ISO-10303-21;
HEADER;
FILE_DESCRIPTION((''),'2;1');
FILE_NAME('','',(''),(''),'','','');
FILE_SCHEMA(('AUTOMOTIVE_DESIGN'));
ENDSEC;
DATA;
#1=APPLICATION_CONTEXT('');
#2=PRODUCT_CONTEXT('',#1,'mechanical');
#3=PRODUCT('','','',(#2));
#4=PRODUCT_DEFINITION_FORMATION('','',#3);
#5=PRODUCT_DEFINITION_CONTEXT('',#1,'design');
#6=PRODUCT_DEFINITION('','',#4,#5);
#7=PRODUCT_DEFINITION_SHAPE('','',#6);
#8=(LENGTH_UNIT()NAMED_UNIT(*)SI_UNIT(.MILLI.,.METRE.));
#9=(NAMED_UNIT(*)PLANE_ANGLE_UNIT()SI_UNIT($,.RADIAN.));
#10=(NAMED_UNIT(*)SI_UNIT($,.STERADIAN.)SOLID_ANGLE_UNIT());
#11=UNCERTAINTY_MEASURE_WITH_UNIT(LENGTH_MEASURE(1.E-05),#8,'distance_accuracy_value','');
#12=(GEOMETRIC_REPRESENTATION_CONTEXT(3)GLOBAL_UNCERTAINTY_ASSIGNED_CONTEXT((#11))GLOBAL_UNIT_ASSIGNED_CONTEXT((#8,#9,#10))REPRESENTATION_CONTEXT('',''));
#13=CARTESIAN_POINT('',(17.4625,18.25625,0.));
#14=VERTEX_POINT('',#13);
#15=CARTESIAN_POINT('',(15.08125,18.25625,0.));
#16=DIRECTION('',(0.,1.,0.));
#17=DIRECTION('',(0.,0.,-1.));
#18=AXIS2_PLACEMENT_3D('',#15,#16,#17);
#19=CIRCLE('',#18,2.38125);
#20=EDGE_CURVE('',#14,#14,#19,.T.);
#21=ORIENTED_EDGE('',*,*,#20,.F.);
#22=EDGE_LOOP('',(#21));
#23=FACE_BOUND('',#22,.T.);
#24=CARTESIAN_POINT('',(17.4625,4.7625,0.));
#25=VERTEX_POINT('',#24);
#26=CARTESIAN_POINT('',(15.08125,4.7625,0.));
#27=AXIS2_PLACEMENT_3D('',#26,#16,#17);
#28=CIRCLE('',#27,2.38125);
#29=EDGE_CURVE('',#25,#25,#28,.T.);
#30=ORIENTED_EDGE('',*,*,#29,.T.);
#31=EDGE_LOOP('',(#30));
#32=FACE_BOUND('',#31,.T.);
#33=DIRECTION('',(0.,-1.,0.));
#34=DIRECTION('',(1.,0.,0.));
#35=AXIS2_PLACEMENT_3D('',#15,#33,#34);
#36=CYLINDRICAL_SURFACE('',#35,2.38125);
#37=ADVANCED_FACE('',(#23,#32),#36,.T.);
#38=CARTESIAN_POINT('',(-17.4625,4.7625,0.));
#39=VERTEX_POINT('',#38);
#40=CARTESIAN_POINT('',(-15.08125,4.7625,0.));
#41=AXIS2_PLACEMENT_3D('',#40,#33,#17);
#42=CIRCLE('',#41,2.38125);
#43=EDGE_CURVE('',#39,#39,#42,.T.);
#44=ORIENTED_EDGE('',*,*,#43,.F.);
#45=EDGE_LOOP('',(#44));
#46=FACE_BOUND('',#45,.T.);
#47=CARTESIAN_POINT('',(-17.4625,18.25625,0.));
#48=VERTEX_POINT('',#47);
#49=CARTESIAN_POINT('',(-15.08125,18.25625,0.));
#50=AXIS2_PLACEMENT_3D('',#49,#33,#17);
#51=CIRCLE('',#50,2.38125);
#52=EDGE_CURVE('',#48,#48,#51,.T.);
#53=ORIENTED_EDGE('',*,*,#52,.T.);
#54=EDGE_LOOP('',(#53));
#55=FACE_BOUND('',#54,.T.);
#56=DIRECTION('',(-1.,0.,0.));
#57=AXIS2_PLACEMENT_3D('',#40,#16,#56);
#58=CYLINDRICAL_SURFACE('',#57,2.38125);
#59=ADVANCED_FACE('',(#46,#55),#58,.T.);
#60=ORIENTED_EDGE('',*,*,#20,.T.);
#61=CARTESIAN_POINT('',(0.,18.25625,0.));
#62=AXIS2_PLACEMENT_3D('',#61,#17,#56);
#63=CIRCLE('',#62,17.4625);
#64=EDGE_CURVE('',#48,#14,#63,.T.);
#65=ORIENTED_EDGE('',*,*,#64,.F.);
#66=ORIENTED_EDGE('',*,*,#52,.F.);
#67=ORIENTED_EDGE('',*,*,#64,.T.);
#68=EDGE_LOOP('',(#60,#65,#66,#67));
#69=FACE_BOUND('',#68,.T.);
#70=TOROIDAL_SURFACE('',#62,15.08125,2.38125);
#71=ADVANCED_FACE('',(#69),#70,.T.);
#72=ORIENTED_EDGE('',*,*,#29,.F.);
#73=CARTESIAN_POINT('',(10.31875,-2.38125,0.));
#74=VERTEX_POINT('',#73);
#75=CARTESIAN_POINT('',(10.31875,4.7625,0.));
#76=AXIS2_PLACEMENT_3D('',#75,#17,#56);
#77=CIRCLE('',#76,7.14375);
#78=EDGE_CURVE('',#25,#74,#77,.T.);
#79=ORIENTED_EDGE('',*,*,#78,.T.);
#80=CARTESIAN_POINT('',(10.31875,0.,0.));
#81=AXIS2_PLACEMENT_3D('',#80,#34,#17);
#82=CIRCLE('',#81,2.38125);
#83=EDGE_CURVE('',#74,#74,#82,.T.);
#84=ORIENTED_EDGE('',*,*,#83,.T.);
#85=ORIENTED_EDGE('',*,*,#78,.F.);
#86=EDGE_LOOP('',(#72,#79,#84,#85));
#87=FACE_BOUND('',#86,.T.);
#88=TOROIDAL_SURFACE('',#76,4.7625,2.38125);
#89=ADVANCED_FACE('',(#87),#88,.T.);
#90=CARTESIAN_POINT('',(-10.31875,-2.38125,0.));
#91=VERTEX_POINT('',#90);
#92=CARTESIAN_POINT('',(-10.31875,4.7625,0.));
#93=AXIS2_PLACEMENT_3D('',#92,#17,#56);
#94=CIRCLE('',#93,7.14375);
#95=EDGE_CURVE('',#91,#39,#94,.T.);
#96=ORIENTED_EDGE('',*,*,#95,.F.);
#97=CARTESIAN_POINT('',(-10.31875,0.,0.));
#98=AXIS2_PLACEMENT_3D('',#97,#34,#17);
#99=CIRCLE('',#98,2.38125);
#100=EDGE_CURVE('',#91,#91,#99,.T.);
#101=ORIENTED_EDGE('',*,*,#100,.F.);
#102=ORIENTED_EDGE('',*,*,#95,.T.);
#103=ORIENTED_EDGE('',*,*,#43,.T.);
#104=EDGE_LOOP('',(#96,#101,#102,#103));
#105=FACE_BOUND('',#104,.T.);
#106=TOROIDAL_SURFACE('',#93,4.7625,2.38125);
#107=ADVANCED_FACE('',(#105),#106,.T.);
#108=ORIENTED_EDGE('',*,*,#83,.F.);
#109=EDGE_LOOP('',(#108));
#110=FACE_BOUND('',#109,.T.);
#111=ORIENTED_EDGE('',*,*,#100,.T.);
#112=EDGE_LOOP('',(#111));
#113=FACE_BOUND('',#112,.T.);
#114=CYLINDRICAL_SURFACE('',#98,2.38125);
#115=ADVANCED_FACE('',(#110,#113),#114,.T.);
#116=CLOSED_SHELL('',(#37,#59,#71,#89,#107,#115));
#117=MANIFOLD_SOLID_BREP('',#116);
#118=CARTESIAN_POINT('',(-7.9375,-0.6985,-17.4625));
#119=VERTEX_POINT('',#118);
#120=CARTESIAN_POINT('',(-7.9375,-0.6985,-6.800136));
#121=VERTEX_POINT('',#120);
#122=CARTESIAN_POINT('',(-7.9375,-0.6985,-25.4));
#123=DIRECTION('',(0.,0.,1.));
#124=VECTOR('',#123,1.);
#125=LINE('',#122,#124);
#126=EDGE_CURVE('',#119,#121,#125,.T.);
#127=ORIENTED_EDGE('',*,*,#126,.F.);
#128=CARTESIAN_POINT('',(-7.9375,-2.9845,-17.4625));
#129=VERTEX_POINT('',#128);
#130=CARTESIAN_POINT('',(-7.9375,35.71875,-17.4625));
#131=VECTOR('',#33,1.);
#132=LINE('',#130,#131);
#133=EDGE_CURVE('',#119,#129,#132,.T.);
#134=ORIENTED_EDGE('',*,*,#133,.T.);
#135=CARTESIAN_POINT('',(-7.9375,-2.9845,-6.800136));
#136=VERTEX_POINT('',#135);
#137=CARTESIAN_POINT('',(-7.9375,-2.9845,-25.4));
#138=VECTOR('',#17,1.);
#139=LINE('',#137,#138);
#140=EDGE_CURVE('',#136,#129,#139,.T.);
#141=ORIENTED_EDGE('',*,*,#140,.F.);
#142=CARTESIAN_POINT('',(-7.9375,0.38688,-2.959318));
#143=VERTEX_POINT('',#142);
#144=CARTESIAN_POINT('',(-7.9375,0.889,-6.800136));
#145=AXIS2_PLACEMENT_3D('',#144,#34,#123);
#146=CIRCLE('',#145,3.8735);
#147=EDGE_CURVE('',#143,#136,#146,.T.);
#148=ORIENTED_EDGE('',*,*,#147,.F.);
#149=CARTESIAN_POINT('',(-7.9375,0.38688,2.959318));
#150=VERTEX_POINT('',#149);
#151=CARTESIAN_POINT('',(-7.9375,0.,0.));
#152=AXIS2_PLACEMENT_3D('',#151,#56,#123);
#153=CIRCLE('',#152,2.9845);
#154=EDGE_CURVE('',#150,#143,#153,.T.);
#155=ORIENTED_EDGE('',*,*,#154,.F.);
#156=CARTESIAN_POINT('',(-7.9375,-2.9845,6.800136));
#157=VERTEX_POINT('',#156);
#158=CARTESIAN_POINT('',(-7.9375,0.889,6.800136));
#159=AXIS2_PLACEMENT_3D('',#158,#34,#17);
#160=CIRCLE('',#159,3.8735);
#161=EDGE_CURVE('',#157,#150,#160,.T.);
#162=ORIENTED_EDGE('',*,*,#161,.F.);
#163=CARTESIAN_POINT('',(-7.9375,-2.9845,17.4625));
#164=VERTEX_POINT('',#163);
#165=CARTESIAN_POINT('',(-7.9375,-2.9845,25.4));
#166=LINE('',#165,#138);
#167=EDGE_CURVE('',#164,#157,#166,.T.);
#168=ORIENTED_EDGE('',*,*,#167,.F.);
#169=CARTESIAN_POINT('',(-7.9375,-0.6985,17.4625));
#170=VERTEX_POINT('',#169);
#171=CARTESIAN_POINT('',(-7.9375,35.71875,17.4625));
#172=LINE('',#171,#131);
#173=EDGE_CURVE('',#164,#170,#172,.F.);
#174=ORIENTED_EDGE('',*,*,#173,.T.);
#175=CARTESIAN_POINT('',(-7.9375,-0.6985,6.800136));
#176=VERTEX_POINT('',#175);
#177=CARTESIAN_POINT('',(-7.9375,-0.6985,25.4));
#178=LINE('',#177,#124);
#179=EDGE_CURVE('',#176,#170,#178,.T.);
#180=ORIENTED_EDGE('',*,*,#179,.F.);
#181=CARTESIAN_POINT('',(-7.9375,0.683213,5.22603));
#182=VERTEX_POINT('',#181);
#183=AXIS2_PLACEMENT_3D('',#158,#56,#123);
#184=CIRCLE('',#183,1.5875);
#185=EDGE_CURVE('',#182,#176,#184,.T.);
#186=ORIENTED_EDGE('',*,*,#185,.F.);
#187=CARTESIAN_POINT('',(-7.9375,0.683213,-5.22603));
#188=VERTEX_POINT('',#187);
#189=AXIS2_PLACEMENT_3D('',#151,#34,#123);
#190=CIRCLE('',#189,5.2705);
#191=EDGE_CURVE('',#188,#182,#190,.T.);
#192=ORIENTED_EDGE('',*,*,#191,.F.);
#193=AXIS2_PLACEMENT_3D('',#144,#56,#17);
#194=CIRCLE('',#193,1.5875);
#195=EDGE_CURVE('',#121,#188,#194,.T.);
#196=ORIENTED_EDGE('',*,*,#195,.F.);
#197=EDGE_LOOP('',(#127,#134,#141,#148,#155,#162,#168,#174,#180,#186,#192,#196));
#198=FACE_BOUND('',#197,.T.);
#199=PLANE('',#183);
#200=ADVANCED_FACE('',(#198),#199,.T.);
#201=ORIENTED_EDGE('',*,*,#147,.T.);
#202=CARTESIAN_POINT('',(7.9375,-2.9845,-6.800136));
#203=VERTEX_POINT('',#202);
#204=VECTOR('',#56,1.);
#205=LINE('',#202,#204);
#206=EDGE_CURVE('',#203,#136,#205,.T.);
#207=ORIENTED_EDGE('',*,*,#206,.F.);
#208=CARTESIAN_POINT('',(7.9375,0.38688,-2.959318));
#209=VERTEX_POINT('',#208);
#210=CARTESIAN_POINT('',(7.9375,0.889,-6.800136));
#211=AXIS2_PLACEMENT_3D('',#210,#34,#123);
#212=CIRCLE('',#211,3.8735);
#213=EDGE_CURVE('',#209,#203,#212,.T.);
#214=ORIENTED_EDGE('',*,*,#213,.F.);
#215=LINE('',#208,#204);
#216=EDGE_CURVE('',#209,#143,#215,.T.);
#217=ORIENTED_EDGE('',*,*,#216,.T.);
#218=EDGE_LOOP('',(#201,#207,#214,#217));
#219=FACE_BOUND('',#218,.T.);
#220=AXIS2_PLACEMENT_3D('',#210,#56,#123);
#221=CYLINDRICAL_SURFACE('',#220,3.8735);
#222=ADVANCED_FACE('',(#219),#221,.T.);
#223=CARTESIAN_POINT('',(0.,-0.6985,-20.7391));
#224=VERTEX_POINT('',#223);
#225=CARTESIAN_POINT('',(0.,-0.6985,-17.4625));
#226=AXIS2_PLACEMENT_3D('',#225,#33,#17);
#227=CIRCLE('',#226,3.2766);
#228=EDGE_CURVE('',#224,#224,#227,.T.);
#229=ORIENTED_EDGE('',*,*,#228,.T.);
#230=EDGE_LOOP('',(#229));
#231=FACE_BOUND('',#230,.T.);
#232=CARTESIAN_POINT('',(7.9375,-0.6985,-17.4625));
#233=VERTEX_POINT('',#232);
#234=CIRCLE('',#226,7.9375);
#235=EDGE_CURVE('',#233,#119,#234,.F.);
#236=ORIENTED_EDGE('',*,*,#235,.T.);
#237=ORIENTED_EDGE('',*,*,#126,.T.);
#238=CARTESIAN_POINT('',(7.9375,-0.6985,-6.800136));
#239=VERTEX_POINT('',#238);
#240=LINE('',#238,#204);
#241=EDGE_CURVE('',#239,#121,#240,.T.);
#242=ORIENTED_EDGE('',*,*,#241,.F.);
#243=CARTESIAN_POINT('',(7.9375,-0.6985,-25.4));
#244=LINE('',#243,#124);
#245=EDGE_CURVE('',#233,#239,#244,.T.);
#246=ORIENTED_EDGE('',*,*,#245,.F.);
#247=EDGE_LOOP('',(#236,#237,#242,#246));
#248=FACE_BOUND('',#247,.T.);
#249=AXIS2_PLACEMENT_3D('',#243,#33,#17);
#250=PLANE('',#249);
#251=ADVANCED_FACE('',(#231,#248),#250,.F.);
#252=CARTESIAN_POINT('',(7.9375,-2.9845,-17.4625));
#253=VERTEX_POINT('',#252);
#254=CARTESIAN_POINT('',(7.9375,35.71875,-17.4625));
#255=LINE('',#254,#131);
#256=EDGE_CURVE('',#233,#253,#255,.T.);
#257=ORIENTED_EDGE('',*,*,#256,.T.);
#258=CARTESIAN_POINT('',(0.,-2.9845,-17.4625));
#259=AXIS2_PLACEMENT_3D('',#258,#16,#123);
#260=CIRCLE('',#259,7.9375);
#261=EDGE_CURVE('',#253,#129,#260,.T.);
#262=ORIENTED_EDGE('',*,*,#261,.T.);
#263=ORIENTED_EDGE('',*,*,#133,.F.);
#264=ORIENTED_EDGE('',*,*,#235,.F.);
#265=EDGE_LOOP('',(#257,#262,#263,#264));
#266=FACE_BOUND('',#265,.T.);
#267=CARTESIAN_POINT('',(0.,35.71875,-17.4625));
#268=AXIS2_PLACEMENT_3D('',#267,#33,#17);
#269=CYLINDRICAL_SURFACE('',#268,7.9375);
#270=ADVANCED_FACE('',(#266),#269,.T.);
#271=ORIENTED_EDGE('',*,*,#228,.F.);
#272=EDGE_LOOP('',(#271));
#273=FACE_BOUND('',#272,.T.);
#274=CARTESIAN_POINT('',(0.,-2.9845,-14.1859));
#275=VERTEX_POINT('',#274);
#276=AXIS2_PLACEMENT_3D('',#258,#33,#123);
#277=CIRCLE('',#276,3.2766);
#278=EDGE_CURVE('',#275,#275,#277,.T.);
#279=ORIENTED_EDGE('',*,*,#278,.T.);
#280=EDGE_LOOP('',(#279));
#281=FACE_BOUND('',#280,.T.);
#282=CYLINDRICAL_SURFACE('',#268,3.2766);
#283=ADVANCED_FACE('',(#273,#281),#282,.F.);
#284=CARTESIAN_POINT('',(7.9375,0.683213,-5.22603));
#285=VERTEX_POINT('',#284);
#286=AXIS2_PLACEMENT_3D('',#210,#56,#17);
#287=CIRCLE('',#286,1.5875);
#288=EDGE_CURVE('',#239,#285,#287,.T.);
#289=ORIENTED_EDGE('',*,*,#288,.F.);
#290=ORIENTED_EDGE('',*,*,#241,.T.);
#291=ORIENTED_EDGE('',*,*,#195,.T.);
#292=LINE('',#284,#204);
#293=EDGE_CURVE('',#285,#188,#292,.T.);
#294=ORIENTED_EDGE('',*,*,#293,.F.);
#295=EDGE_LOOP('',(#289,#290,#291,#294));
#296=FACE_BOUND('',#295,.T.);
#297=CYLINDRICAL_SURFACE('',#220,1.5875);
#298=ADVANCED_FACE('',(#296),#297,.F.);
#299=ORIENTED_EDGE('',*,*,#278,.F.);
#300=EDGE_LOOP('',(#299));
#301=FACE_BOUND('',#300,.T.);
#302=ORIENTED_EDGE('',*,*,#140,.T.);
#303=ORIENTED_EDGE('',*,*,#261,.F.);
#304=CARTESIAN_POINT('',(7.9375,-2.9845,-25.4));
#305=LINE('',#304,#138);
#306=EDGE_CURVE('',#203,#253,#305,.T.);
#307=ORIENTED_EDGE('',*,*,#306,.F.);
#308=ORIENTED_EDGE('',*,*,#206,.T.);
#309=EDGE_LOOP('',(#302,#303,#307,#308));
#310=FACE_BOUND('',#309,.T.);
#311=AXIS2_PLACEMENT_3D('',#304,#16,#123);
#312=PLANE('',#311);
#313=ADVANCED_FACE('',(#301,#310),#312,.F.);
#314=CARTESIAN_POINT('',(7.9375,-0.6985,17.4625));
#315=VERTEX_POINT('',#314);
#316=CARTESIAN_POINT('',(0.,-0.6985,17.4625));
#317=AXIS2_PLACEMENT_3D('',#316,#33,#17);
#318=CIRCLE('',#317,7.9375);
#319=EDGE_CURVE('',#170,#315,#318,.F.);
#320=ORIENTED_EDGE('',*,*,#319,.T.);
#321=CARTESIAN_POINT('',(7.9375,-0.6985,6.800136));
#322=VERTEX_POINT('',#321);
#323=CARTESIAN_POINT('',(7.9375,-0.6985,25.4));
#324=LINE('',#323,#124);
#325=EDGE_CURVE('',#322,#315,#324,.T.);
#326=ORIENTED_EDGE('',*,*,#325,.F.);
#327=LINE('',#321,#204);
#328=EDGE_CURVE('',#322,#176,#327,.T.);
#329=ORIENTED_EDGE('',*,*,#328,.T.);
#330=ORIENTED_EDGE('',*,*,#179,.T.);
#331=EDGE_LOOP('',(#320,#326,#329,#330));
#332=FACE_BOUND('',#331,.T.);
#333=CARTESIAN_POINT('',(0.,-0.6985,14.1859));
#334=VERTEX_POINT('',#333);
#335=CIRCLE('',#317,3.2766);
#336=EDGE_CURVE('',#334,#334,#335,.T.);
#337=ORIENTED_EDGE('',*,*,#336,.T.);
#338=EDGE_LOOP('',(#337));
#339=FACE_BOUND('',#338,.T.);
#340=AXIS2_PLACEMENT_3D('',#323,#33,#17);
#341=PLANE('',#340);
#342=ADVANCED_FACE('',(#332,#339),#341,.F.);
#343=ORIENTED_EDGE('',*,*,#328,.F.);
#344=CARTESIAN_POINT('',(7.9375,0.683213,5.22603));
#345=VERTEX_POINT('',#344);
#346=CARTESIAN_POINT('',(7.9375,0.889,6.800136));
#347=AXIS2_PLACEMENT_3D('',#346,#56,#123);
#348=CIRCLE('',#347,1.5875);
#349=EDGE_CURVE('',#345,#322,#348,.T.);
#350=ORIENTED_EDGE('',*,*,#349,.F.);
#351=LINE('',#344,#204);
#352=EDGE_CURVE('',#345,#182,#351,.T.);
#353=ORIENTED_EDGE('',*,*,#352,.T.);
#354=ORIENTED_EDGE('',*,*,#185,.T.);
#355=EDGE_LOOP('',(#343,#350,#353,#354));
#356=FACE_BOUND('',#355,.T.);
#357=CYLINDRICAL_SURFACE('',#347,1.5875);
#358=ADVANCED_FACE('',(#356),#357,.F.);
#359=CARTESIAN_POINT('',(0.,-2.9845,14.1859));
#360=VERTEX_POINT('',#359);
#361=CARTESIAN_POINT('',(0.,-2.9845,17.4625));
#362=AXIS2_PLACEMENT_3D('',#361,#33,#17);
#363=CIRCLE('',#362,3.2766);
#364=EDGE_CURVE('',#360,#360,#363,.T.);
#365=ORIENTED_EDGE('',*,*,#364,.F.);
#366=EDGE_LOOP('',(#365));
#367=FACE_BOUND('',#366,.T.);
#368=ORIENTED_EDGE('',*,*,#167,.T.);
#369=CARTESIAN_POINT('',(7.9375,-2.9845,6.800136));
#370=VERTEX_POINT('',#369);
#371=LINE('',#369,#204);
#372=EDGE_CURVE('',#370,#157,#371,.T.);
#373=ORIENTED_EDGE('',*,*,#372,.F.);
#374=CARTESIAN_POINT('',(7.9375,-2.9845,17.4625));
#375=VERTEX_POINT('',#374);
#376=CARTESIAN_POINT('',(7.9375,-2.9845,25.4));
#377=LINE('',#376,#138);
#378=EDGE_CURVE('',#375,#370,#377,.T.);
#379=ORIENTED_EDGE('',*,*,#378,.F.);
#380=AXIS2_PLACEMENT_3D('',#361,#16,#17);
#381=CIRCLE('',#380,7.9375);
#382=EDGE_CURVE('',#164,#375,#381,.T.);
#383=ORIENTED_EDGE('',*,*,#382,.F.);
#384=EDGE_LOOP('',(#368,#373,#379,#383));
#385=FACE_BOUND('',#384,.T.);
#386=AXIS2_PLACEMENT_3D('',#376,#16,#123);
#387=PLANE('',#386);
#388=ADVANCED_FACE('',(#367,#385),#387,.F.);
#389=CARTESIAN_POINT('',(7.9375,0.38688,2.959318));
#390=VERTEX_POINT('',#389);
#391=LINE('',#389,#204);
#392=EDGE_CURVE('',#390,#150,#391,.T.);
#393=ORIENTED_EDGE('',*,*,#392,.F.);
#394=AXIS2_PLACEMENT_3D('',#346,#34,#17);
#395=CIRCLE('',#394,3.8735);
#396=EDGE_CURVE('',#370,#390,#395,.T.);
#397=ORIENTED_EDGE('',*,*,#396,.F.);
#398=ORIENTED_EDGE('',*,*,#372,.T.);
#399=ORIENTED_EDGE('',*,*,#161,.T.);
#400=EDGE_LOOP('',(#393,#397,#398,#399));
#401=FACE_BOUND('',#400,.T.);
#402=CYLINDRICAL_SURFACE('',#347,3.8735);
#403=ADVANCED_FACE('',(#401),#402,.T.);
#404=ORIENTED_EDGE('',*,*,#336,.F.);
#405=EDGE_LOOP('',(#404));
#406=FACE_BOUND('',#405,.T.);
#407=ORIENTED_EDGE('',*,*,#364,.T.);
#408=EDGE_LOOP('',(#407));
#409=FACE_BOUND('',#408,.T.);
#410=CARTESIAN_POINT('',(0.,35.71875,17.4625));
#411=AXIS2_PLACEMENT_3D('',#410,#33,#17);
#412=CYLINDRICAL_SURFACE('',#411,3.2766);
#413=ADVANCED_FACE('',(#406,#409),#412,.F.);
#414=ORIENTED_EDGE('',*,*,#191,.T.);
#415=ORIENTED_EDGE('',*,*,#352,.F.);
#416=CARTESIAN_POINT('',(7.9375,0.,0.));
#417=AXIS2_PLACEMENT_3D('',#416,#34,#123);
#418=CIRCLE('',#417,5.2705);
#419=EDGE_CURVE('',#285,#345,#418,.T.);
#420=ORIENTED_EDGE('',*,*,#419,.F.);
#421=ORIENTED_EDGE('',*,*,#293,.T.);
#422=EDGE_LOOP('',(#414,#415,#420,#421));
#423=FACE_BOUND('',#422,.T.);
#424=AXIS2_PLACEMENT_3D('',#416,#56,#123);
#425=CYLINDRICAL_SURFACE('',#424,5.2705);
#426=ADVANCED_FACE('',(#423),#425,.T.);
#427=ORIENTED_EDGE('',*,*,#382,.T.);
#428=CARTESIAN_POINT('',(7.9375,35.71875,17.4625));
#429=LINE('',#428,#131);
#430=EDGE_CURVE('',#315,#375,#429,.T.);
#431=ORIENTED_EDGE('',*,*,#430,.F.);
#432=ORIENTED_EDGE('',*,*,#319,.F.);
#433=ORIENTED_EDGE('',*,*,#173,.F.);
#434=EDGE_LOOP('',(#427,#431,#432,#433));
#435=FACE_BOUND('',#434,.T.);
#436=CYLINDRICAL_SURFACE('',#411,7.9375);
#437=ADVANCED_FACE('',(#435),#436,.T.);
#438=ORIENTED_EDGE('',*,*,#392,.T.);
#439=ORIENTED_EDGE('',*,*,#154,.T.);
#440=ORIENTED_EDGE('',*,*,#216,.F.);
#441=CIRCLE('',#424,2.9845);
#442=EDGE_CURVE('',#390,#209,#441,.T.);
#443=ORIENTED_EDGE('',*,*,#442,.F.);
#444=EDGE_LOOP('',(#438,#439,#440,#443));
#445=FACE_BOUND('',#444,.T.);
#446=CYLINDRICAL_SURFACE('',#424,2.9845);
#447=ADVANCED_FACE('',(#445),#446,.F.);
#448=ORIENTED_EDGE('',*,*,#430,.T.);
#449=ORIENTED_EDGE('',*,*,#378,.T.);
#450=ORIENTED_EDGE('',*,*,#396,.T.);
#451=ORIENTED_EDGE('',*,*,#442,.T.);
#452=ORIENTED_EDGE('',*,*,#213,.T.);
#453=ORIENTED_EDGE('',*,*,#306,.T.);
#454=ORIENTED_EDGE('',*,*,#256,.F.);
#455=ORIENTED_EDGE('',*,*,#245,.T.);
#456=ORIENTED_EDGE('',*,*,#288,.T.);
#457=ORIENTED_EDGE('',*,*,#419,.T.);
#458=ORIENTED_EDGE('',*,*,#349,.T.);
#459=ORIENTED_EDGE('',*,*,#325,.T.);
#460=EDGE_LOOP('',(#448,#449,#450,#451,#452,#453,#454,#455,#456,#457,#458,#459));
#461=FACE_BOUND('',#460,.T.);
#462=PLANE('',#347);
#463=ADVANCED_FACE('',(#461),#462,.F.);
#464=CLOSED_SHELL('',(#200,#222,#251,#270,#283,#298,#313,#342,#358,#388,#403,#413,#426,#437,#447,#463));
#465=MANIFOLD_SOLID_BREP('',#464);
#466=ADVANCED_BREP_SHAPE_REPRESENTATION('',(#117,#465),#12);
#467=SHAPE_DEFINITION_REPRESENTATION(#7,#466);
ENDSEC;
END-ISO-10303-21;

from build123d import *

# Parameters (mm, degrees)
SKETCH2_R           = 2.38125
BOSS_EXTRUDE1_DEPTH = 7.9375
SKETCH4_R           = 3.2766
CUT_EXTRUDE1_DEPTH  = 50.477676563


with BuildPart() as part:
    # Sweep1: sweep along a path in Sketch1
    with BuildLine(Plane.XY) as sweep1_path:
        Line((-15.08125, 18.25625), (-15.08125, 4.7625))
        ThreePointArc((-15.08125, 4.7625), (-13.686346045, 1.394903955), (-10.31875, 0))
        Line((-10.31875, 0), (10.31875, 0))
        ThreePointArc((10.31875, 0), (13.686346045, 1.394903955), (15.08125, 4.7625))
        Line((15.08125, 4.7625), (15.08125, 18.25625))
        ThreePointArc((15.08125, 18.25625), (0, 33.3375), (-15.08125, 18.25625))
    # Sketch2 → Sweep1 (sweep)
    with BuildSketch(Plane(origin=(0, 0, 0), x_dir=(0, 0, -1), z_dir=(1, 0, 0))):
        Circle(SKETCH2_R)
    sweep(path=sweep1_path.line)


with BuildPart() as body_2:
    # Sketch3 → Boss-Extrude1 (new, symmetric)
    with BuildSketch(Plane(origin=(0, 0, 0), x_dir=(0, 0, -1), z_dir=(1, 0, 0))):
        with BuildLine():
            Line((-25.4, -2.9845), (-6.800135513, -2.9845))
            ThreePointArc((-6.800135513, -2.9845), (-4.244843065, -2.022096486), (-2.959318233, 0.38687963))
            ThreePointArc((-2.959318233, 0.38687963), (0, 2.9845), (2.959318233, 0.38687963))
            ThreePointArc((2.959318233, 0.38687963), (4.244843065, -2.022096486), (6.800135513, -2.9845))
            Line((6.800135513, -2.9845), (25.4, -2.9845))
            Line((25.4, -2.9845), (25.4, -0.6985))
            Line((25.4, -0.6985), (6.800135513, -0.6985))
            ThreePointArc((6.800135513, -0.6985), (5.75288451, -0.30407233), (5.22603007, 0.683212963))
            ThreePointArc((5.22603007, 0.683212963), (0, 5.2705), (-5.22603007, 0.683212963))
            ThreePointArc((-5.22603007, 0.683212963), (-5.75288451, -0.30407233), (-6.800135513, -0.6985))
            Line((-6.800135513, -0.6985), (-25.4, -0.6985))
            Line((-25.4, -0.6985), (-25.4, -2.9845))
        make_face()
    extrude(amount=BOSS_EXTRUDE1_DEPTH, both=True)

    # Sketch4 → Cut-Extrude1 (cut, through all)
    with BuildSketch(Plane.XZ.offset(2.9845)):
        with Locations(Location((0, 17.4625, 0), (0, 0, 270))):
            Circle(SKETCH4_R)
        with Locations(Location((0, -17.4625, 0), (0, 0, 270))):
            Circle(SKETCH4_R)
        with BuildLine():
            Line((-7.9375, 17.4625), (-7.9375, 25.4))
            Line((-7.9375, 25.4), (-7.9375, 26.67))
            Line((-7.9375, 26.67), (7.9375, 26.67))
            Line((7.9375, 26.67), (7.9375, 25.4))
            Line((7.9375, 25.4), (7.9375, 17.4625))
            ThreePointArc((7.9375, 17.4625), (0, 25.4), (-7.9375, 17.4625))
        make_face()
        with BuildLine():
            Line((7.9375, -25.4), (7.9375, -17.4625))
            ThreePointArc((7.9375, -17.4625), (0, -25.4), (-7.9375, -17.4625))
            Line((-7.9375, -17.4625), (-7.9375, -25.4))
            Line((-7.9375, -25.4), (-7.9375, -26.67))
            Line((-7.9375, -26.67), (7.9375, -26.67))
            Line((7.9375, -26.67), (7.9375, -25.4))
        make_face()
    extrude(amount=-CUT_EXTRUDE1_DEPTH, mode=Mode.SUBTRACT)


solid = Compound([part.part, body_2.part])
